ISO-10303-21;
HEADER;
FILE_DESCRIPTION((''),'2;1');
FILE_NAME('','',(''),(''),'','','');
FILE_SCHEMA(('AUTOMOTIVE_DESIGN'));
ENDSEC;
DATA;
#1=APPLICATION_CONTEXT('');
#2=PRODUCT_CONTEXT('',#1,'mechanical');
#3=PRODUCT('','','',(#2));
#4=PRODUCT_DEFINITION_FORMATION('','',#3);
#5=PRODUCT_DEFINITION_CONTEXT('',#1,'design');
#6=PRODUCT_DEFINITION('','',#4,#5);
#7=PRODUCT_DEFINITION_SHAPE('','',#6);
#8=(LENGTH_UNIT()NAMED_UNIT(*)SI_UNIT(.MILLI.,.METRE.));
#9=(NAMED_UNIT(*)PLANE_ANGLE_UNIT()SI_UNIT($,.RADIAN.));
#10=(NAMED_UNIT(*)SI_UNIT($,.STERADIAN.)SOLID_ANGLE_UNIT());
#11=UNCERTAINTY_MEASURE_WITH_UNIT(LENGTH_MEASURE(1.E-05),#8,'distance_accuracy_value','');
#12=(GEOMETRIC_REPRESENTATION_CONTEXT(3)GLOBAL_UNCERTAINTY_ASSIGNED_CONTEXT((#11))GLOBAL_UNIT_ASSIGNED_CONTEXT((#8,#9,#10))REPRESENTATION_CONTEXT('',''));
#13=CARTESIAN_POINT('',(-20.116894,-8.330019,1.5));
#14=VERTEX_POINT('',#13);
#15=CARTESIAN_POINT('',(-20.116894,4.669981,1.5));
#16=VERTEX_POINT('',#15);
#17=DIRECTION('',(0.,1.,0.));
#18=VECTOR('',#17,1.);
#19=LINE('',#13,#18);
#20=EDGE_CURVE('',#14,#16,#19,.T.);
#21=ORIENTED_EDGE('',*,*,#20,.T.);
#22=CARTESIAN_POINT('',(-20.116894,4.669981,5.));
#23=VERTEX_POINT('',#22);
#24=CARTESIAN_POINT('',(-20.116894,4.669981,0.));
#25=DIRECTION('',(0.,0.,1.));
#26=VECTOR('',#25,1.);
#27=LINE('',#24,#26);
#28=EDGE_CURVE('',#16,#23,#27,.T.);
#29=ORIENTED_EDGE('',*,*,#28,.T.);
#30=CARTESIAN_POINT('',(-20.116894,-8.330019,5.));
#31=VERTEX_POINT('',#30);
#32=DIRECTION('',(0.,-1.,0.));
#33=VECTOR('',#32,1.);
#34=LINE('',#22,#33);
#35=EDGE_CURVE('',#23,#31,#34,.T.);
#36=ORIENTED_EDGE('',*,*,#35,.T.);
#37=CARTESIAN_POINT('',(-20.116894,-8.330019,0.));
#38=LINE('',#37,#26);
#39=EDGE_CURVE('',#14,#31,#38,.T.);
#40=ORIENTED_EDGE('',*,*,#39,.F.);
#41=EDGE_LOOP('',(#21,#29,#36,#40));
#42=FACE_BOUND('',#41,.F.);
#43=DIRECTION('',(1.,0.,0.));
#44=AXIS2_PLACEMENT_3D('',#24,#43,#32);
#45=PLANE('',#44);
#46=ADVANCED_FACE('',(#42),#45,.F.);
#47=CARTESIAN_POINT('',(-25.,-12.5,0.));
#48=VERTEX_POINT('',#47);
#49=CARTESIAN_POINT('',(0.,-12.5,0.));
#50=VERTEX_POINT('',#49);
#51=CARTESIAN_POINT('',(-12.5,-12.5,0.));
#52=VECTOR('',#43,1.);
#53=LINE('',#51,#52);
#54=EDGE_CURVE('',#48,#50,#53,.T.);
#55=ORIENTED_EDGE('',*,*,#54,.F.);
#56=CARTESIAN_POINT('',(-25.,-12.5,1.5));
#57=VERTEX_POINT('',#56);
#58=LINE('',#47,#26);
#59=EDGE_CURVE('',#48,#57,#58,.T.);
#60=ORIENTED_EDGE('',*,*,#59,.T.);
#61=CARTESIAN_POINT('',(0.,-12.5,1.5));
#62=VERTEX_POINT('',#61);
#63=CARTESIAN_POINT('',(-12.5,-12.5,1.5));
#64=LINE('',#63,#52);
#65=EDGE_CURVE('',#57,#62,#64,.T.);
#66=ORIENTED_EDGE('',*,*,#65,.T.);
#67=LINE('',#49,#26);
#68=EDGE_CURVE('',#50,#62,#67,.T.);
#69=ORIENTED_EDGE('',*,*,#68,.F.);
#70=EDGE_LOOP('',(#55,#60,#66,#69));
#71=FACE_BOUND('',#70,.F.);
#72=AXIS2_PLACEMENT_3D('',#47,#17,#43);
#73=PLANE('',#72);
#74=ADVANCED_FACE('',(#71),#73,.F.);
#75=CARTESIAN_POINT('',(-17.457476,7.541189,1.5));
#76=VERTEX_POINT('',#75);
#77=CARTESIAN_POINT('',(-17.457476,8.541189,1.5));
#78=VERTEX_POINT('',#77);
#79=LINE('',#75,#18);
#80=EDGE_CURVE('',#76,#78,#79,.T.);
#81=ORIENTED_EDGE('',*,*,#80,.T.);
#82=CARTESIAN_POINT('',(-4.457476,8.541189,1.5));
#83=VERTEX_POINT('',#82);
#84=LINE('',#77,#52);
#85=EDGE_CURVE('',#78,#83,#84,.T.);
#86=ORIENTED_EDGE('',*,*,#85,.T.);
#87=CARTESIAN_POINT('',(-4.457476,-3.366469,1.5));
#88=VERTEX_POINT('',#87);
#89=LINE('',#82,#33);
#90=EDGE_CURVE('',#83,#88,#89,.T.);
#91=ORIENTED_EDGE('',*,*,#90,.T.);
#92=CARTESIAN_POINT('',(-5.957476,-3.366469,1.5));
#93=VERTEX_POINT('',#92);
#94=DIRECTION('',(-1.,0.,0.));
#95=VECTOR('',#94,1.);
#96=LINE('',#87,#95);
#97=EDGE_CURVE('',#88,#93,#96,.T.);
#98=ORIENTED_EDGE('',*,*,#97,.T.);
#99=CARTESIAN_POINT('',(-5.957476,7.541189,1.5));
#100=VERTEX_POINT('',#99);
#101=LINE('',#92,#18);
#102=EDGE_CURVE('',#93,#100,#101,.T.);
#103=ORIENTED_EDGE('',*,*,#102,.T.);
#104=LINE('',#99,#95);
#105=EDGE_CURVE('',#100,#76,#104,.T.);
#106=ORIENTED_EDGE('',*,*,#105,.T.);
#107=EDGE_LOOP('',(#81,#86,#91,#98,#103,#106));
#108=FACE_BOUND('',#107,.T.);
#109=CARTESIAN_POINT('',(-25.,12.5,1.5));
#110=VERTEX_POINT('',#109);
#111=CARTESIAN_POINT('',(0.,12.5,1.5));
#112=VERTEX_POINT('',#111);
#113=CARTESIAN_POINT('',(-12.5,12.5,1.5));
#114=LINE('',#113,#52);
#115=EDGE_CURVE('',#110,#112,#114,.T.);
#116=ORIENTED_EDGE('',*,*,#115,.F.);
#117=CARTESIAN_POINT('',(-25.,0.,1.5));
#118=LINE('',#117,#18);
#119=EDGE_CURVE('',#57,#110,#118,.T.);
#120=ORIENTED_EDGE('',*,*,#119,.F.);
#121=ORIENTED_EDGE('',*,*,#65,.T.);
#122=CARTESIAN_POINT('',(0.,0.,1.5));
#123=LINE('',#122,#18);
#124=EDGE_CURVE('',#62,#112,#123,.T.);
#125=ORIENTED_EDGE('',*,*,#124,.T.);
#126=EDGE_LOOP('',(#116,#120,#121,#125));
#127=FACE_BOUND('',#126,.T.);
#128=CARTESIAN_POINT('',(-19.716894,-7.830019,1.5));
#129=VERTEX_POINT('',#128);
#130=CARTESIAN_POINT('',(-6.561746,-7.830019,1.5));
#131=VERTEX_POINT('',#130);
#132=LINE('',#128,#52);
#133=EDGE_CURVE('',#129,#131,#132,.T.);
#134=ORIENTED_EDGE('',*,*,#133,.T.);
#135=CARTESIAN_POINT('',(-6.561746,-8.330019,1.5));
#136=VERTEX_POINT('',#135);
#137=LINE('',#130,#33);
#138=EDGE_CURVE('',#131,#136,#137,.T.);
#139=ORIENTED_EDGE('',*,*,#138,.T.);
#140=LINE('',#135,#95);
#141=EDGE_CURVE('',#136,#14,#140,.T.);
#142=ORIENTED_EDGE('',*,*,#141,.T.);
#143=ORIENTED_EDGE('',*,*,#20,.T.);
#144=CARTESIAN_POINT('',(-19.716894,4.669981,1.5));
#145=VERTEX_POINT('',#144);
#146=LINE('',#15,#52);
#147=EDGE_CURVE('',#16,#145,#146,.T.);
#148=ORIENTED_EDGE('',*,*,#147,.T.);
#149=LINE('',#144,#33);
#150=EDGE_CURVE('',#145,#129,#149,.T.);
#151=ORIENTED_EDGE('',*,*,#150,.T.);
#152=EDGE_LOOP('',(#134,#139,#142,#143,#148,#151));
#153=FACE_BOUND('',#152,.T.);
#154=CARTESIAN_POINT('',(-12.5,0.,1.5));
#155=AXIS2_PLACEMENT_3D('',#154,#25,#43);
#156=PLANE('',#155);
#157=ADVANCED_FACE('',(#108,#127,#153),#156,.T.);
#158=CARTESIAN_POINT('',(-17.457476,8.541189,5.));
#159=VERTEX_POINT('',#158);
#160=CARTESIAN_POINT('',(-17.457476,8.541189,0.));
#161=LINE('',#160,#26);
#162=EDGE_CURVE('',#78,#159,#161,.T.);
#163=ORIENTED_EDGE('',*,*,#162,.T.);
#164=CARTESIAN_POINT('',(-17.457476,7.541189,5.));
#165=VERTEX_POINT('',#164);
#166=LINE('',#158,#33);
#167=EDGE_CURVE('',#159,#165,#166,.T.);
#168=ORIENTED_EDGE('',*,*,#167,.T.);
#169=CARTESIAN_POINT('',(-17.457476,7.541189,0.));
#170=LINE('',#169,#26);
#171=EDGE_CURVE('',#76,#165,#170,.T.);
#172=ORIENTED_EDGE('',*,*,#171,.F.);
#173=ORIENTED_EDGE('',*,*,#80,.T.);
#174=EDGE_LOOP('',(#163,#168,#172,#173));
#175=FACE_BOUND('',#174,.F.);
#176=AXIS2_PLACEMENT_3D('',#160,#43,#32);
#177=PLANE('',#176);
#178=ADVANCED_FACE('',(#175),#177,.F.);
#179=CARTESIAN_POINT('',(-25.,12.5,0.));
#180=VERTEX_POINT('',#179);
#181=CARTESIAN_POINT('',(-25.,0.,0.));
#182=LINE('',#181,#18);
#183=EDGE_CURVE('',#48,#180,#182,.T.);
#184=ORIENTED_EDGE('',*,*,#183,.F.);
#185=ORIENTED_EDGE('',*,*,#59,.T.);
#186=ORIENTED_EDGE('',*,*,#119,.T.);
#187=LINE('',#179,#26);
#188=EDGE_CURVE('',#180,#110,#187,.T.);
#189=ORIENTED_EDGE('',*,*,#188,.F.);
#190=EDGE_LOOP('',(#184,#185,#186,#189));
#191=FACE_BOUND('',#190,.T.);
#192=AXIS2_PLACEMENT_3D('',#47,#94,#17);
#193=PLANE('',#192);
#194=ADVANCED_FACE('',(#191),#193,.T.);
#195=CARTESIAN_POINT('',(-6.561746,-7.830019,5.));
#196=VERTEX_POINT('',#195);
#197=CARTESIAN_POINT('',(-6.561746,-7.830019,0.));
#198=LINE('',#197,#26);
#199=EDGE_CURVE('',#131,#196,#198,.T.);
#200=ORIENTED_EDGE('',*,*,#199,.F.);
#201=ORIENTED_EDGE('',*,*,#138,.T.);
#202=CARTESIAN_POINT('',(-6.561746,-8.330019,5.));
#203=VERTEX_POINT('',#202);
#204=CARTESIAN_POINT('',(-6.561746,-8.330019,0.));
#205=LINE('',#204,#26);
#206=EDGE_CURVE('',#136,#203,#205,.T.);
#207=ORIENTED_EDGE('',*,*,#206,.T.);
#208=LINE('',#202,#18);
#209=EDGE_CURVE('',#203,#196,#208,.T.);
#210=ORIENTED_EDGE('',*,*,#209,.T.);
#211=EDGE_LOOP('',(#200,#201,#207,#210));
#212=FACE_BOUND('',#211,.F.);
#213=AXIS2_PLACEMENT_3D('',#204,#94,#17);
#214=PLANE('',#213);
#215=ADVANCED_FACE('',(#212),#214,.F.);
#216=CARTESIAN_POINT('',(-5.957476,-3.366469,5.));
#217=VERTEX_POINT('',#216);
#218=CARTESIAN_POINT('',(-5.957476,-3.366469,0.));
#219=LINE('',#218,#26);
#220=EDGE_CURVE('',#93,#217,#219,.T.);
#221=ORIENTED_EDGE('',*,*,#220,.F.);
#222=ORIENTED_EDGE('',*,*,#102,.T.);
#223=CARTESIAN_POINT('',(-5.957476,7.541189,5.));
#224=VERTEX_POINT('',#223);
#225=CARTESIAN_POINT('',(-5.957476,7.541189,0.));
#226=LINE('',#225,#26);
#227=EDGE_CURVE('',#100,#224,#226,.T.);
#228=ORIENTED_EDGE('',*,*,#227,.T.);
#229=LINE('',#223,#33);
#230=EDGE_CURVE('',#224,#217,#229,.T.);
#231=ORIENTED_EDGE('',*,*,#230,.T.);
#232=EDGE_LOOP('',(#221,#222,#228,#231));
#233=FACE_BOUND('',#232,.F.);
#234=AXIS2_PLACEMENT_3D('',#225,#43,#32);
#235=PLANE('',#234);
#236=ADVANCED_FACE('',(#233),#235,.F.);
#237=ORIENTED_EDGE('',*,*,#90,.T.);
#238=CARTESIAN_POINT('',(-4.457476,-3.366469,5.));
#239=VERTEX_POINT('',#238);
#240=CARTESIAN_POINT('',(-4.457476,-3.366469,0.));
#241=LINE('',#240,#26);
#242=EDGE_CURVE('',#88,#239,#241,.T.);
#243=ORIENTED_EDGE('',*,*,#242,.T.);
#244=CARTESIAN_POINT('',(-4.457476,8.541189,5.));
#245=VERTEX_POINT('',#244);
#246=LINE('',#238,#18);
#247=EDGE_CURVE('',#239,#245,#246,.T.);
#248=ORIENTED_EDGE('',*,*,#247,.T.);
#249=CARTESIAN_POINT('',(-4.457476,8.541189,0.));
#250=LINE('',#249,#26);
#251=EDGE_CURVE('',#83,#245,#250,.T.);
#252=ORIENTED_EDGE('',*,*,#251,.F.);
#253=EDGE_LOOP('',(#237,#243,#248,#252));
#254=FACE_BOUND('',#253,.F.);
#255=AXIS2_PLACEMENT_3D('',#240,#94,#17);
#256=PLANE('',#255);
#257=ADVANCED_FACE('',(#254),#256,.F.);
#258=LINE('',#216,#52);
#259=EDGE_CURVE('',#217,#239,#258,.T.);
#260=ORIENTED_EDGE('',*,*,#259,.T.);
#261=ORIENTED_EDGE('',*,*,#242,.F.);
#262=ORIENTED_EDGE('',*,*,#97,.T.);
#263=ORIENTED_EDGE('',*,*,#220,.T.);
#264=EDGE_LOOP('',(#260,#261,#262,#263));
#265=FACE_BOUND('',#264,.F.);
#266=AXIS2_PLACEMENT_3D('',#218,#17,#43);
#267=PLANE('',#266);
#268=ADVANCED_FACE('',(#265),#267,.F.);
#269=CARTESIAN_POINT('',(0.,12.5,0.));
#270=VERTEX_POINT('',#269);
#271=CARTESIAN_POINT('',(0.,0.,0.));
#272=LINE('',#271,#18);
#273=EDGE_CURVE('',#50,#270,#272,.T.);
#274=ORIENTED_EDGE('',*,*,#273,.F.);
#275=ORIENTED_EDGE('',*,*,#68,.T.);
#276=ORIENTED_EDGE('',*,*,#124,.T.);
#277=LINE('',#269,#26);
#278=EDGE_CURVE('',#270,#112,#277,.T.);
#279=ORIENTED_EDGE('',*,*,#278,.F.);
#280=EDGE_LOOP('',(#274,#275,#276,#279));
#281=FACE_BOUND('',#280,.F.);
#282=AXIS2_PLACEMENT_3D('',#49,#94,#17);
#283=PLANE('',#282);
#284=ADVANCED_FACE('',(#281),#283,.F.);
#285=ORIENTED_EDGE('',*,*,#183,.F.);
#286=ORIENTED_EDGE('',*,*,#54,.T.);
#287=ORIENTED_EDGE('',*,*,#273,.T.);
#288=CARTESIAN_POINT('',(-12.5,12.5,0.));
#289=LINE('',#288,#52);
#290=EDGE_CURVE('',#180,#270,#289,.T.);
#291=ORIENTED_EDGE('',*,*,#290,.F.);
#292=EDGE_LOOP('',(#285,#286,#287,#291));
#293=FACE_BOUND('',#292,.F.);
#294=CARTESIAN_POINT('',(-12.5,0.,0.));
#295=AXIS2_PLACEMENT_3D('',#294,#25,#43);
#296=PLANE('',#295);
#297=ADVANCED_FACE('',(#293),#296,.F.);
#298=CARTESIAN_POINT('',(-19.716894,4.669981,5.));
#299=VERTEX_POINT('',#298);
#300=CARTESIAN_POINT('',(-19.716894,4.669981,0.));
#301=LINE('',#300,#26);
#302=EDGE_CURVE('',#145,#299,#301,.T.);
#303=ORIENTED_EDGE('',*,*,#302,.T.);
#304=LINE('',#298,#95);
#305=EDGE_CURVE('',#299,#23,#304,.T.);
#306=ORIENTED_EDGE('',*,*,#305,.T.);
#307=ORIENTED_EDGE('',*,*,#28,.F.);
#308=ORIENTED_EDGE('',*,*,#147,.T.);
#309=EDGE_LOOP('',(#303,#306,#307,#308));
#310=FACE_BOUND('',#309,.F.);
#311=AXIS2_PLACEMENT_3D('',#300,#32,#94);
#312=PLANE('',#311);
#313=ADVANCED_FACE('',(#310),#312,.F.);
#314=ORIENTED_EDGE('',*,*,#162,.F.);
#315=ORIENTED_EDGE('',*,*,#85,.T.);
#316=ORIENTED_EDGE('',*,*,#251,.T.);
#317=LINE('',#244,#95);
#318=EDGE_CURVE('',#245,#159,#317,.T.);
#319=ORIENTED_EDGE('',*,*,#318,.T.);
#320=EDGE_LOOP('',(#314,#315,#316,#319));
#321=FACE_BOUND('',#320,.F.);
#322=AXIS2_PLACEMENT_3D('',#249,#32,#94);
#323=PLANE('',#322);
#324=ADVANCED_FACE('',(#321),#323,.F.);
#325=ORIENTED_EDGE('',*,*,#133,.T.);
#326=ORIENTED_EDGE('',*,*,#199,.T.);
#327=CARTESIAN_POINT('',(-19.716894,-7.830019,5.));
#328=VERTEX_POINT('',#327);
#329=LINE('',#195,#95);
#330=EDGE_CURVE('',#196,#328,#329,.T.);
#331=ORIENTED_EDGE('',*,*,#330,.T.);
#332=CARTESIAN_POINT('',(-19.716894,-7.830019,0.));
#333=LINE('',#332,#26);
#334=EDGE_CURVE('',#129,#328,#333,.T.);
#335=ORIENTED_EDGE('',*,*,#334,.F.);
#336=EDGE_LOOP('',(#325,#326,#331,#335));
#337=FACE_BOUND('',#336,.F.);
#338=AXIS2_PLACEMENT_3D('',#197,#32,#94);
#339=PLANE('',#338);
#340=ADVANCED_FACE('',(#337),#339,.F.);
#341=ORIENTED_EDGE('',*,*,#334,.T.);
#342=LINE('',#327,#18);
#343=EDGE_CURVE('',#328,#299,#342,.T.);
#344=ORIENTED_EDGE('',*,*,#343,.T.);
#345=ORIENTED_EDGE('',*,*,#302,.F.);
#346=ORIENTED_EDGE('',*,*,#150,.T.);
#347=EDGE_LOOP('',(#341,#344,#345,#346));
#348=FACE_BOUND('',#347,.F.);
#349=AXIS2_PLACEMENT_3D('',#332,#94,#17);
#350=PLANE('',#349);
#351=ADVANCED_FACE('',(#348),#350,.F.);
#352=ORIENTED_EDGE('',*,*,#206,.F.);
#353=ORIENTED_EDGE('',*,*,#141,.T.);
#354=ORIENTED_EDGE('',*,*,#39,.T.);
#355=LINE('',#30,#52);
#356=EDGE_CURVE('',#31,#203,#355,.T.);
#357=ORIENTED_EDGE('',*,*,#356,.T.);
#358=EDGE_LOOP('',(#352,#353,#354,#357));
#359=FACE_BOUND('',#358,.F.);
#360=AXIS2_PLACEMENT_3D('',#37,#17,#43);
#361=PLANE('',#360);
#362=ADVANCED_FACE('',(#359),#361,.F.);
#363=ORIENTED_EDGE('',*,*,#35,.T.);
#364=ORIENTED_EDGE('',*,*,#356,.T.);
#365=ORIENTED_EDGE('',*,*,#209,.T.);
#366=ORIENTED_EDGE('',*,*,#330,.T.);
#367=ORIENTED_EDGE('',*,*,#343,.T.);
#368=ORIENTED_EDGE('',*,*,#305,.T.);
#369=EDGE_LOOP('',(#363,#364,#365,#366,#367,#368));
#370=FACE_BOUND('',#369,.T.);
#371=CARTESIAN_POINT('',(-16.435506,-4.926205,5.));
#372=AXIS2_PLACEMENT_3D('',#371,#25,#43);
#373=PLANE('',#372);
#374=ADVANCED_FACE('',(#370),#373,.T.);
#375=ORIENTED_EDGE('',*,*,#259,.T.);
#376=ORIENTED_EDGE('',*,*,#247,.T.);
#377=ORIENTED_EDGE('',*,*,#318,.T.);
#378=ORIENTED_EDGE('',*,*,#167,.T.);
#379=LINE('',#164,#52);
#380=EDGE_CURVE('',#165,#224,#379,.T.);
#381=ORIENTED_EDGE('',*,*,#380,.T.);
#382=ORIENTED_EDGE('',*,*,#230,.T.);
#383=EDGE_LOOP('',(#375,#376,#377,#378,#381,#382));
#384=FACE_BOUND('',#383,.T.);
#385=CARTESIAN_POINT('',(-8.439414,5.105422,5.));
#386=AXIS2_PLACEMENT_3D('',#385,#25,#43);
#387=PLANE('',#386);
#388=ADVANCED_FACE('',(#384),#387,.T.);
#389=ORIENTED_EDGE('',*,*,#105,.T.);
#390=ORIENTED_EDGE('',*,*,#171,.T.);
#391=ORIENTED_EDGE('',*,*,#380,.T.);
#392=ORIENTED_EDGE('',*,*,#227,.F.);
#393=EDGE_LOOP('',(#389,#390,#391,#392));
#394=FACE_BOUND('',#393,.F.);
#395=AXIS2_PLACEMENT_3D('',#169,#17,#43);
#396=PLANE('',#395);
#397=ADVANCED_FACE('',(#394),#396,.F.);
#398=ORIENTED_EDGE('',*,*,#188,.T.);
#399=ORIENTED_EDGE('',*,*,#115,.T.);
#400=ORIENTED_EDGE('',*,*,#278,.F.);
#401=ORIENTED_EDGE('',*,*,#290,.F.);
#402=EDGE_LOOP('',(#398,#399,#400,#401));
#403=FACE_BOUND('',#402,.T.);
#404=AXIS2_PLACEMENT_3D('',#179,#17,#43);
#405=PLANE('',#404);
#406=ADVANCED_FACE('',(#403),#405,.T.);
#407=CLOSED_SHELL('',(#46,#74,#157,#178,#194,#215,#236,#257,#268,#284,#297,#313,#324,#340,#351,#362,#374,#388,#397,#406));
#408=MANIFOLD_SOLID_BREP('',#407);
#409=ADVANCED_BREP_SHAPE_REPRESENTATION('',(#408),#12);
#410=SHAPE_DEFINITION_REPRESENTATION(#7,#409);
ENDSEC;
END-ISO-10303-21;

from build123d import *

# Parameters (mm, degrees)
F1_DEPTH = 5
F0_W     = 25
F0_H     = 25
F2_DEPTH = 1.5
F3_DEPTH = 5


with BuildPart() as f1:
    # F0 (on Top) → F1 (new body)
    with BuildSketch(Plane.XY):
        Polygon((-4.457476, 8.541189), (-17.457476, 8.541189), (-17.457476, 7.541189), (-5.957476, 7.541189), (-5.957476, -3.366469), (-4.457476, -3.366469), align=None)
    extrude(amount=F1_DEPTH)

    # F0 (on Top) → F2 (join)
    with BuildSketch(Plane.XY):
        with Locations((-12.5, 0)):
            Rectangle(F0_W, F0_H)
        Polygon((-20.116894, 4.669981), (-19.716894, 4.669981), (-19.716894, -7.830019), (-6.561746, -7.830019), (-6.561746, -8.330019), (-20.116894, -8.330019), align=None, mode=Mode.SUBTRACT)
        Polygon((-17.457476, 7.541189), (-17.457476, 8.541189), (-4.457476, 8.541189), (-4.457476, -3.366469), (-5.957476, -3.366469), (-5.957476, 7.541189), align=None, mode=Mode.SUBTRACT)
    extrude(amount=F2_DEPTH)

    # F0 (on Top) → F3 (join)
    with BuildSketch(Plane.XY):
        Polygon((-19.716894, -7.830019), (-19.716894, 4.669981), (-20.116894, 4.669981), (-20.116894, -8.330019), (-6.561746, -8.330019), (-6.561746, -7.830019), align=None)
    extrude(amount=F3_DEPTH)


solid = f1.part
